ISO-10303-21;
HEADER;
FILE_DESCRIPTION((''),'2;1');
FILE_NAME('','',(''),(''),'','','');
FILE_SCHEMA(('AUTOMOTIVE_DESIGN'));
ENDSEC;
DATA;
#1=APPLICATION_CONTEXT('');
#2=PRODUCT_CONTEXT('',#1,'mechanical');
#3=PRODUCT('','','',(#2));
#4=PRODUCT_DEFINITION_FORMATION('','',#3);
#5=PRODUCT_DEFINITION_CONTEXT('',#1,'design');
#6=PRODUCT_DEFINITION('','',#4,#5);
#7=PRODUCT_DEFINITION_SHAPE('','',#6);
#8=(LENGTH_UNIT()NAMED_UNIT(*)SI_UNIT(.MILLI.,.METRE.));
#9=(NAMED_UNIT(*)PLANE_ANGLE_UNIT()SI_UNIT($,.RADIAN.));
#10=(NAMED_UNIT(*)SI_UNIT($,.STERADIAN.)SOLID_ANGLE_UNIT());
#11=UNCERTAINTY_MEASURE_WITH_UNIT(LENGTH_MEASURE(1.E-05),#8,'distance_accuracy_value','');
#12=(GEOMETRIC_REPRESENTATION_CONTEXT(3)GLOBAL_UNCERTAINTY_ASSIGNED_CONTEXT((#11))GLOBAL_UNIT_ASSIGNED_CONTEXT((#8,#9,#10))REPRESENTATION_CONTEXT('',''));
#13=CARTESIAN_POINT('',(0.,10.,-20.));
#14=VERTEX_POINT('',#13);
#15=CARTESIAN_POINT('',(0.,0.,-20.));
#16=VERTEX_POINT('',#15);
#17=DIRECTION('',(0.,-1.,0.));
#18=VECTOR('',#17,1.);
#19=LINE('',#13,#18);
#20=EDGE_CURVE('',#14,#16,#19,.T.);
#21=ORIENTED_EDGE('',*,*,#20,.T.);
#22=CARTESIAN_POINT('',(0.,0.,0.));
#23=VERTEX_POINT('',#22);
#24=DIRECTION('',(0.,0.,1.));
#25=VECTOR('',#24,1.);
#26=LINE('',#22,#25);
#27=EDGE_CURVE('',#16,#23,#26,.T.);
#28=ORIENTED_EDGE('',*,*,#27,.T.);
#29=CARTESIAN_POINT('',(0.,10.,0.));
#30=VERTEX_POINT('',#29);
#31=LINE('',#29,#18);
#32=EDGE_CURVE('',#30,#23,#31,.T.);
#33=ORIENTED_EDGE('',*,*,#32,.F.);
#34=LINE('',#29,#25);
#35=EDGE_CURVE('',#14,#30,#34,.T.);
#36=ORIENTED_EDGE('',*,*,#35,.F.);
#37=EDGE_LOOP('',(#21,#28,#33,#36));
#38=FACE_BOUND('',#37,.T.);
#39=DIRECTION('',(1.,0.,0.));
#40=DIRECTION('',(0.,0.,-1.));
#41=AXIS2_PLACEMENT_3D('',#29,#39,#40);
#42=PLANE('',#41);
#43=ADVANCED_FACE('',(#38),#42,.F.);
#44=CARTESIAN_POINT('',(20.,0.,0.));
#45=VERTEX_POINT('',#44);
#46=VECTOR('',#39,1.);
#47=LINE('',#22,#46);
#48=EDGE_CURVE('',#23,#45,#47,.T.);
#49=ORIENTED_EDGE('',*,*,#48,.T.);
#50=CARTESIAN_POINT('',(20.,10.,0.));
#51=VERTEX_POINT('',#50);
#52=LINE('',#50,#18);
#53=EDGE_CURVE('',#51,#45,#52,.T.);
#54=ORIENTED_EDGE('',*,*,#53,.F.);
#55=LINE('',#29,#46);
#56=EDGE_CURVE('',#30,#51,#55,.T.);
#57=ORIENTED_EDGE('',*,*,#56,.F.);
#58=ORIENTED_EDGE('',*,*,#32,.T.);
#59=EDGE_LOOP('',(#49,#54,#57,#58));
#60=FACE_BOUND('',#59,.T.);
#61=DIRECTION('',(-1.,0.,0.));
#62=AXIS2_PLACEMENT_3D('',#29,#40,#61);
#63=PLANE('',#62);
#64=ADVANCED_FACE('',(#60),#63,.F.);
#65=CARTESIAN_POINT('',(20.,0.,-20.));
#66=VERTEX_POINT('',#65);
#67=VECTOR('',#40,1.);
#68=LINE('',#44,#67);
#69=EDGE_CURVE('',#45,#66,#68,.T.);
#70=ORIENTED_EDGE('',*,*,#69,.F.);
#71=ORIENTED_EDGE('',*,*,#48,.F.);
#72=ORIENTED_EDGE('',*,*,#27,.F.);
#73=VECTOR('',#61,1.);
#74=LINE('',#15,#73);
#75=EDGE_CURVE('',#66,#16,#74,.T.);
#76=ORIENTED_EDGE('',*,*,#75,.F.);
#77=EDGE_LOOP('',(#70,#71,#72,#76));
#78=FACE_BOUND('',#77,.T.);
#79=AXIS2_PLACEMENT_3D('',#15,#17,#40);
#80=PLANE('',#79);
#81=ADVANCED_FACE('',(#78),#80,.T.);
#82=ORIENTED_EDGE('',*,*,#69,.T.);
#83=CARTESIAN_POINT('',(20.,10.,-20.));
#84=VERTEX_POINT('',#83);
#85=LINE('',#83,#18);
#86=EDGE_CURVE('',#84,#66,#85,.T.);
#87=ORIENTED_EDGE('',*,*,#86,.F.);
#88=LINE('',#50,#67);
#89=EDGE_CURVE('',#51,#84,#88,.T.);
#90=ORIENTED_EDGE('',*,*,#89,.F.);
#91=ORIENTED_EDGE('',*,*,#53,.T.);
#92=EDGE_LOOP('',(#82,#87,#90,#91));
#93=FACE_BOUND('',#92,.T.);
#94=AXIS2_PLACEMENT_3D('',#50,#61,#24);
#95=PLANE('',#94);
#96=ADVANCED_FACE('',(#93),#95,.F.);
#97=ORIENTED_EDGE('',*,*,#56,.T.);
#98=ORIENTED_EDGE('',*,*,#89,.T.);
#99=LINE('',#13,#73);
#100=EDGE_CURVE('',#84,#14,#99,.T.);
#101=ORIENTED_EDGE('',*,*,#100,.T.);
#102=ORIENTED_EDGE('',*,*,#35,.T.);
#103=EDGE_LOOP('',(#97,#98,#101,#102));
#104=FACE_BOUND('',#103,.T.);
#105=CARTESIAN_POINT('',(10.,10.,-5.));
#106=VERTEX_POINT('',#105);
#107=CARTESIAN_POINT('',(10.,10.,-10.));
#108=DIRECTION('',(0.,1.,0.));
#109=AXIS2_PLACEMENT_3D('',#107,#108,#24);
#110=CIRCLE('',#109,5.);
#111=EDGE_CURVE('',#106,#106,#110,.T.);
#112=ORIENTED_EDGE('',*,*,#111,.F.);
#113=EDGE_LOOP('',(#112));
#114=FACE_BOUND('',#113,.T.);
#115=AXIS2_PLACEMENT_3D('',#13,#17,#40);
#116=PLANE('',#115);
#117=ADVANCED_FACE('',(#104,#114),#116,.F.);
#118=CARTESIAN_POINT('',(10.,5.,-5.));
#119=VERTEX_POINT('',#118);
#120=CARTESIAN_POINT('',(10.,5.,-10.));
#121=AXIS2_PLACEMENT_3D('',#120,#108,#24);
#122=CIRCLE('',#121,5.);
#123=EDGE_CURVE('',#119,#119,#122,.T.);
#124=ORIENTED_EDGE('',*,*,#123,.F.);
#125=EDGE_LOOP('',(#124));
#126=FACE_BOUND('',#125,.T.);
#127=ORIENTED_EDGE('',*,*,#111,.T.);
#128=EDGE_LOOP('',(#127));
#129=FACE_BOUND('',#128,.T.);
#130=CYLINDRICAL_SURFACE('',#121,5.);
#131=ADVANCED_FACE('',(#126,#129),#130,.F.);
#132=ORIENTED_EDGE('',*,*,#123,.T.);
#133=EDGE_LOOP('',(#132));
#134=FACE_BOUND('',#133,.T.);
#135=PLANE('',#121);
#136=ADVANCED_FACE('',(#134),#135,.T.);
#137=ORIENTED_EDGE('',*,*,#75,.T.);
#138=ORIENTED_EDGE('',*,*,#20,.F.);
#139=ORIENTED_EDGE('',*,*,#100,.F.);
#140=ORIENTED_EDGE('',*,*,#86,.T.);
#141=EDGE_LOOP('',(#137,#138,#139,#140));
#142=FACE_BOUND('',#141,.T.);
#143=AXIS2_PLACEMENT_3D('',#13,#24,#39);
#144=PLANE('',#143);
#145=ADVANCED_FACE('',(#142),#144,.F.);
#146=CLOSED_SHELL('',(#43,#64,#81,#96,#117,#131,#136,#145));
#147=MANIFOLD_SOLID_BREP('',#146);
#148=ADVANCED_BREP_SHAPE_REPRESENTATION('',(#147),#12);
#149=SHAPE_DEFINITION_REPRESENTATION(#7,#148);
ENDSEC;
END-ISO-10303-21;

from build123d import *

# Parameters (mm, degrees)
SKETCH1_W           = 20
SKETCH1_H           = 20
BOSS_EXTRUDE1_DEPTH = 10
SKETCH2_R           = 5
CUT_EXTRUDE1_DEPTH  = 5


with BuildPart() as part:
    # Sketch1 → Boss-Extrude1 (new body)
    with BuildSketch(Plane(origin=(0, 0, 0), x_dir=(1, 0, 0), z_dir=(0, 1, 0))):
        with Locations((10, 10)):
            Rectangle(SKETCH1_W, SKETCH1_H)
    extrude(amount=BOSS_EXTRUDE1_DEPTH)

    # Sketch2 → Cut-Extrude1 (cut)
    with BuildSketch(Plane(origin=(0, 10, 0), x_dir=(-1, 0, 0), z_dir=(0, 1, 0))):
        with Locations((-10, -10)):
            Circle(SKETCH2_R)
    extrude(amount=-CUT_EXTRUDE1_DEPTH, mode=Mode.SUBTRACT)


solid = part.part
